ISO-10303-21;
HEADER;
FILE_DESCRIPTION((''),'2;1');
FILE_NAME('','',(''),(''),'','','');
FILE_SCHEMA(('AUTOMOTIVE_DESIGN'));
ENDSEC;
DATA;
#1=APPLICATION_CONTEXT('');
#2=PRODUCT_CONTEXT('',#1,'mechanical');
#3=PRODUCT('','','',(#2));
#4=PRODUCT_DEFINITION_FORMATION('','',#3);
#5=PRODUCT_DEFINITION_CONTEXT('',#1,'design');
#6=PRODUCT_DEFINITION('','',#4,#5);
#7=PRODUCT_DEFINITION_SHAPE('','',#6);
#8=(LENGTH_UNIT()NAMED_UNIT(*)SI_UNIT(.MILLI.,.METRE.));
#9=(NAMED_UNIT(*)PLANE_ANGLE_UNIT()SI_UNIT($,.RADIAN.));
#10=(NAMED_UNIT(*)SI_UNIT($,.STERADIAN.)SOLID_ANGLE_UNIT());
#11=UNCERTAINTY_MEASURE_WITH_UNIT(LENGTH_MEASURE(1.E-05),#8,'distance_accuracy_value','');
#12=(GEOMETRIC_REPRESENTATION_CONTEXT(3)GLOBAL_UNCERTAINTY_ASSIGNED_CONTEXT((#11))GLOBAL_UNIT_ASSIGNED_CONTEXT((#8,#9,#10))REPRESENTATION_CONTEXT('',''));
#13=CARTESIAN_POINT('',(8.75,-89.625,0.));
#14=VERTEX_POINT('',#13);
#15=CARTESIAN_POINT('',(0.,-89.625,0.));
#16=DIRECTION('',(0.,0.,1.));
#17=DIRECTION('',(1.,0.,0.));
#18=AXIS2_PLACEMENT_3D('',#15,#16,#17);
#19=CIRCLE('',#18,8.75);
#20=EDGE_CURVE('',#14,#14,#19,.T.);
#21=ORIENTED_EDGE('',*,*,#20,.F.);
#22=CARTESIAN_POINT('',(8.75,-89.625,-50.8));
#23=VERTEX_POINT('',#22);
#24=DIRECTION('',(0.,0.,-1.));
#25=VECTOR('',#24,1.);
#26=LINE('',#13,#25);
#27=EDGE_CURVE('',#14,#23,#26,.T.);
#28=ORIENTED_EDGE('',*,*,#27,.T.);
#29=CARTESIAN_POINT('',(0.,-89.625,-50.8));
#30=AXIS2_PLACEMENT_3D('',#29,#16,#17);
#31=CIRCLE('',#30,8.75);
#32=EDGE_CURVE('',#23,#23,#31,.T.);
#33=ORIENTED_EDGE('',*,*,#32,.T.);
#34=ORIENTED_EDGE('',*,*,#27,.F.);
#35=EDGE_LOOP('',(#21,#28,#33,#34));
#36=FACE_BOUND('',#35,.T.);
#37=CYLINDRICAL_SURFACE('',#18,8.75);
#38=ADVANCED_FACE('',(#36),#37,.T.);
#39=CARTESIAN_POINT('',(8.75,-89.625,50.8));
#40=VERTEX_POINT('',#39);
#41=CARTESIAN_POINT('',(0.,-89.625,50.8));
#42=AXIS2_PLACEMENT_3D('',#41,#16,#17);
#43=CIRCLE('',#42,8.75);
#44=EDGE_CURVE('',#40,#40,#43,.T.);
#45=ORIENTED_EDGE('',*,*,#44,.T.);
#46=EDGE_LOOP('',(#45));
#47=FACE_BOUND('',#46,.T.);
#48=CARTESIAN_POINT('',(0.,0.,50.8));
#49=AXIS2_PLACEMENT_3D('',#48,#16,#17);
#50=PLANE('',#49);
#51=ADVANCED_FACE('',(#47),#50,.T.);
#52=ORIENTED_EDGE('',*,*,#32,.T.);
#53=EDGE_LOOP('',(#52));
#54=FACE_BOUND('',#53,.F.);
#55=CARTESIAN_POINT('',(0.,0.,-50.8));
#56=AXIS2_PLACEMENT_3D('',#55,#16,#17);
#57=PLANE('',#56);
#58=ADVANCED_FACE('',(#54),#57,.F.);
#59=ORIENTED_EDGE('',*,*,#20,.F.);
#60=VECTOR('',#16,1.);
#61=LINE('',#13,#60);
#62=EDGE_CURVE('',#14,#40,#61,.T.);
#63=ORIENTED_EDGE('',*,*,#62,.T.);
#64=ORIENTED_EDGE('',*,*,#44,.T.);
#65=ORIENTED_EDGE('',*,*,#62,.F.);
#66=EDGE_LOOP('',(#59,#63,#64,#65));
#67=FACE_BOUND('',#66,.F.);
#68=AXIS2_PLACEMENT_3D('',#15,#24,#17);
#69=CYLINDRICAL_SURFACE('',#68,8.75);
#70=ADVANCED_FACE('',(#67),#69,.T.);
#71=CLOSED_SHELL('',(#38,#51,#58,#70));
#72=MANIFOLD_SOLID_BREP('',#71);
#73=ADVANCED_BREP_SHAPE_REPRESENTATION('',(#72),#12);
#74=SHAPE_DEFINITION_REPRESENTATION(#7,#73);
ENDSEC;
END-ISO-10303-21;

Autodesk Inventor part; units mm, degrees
ref_plane "YZ Plane" through (0, 0, 0) normal (1, 0, 0) x (0, 1, 0)
ref_plane "XZ Plane" through (0, 0, 0) normal (0, 1, 0) x (-1, 0, 0)
ref_plane "XY Plane" through (0, 0, 0) normal (0, 0, 1) x (1, 0, 0)
sketch "Sketch1" plane through (0, 0, 0) normal (0, 0, 1) x (1, 0, 0)
  circle A0 centre (0, -89.625) radius 8.75 projected
  point P0 (0, 0)
  dimension "d0" = 101.6
extrude "Extrusion1" add sketch "Sketch1" along normal mid plane 101.6
properties part number "Marcador"
